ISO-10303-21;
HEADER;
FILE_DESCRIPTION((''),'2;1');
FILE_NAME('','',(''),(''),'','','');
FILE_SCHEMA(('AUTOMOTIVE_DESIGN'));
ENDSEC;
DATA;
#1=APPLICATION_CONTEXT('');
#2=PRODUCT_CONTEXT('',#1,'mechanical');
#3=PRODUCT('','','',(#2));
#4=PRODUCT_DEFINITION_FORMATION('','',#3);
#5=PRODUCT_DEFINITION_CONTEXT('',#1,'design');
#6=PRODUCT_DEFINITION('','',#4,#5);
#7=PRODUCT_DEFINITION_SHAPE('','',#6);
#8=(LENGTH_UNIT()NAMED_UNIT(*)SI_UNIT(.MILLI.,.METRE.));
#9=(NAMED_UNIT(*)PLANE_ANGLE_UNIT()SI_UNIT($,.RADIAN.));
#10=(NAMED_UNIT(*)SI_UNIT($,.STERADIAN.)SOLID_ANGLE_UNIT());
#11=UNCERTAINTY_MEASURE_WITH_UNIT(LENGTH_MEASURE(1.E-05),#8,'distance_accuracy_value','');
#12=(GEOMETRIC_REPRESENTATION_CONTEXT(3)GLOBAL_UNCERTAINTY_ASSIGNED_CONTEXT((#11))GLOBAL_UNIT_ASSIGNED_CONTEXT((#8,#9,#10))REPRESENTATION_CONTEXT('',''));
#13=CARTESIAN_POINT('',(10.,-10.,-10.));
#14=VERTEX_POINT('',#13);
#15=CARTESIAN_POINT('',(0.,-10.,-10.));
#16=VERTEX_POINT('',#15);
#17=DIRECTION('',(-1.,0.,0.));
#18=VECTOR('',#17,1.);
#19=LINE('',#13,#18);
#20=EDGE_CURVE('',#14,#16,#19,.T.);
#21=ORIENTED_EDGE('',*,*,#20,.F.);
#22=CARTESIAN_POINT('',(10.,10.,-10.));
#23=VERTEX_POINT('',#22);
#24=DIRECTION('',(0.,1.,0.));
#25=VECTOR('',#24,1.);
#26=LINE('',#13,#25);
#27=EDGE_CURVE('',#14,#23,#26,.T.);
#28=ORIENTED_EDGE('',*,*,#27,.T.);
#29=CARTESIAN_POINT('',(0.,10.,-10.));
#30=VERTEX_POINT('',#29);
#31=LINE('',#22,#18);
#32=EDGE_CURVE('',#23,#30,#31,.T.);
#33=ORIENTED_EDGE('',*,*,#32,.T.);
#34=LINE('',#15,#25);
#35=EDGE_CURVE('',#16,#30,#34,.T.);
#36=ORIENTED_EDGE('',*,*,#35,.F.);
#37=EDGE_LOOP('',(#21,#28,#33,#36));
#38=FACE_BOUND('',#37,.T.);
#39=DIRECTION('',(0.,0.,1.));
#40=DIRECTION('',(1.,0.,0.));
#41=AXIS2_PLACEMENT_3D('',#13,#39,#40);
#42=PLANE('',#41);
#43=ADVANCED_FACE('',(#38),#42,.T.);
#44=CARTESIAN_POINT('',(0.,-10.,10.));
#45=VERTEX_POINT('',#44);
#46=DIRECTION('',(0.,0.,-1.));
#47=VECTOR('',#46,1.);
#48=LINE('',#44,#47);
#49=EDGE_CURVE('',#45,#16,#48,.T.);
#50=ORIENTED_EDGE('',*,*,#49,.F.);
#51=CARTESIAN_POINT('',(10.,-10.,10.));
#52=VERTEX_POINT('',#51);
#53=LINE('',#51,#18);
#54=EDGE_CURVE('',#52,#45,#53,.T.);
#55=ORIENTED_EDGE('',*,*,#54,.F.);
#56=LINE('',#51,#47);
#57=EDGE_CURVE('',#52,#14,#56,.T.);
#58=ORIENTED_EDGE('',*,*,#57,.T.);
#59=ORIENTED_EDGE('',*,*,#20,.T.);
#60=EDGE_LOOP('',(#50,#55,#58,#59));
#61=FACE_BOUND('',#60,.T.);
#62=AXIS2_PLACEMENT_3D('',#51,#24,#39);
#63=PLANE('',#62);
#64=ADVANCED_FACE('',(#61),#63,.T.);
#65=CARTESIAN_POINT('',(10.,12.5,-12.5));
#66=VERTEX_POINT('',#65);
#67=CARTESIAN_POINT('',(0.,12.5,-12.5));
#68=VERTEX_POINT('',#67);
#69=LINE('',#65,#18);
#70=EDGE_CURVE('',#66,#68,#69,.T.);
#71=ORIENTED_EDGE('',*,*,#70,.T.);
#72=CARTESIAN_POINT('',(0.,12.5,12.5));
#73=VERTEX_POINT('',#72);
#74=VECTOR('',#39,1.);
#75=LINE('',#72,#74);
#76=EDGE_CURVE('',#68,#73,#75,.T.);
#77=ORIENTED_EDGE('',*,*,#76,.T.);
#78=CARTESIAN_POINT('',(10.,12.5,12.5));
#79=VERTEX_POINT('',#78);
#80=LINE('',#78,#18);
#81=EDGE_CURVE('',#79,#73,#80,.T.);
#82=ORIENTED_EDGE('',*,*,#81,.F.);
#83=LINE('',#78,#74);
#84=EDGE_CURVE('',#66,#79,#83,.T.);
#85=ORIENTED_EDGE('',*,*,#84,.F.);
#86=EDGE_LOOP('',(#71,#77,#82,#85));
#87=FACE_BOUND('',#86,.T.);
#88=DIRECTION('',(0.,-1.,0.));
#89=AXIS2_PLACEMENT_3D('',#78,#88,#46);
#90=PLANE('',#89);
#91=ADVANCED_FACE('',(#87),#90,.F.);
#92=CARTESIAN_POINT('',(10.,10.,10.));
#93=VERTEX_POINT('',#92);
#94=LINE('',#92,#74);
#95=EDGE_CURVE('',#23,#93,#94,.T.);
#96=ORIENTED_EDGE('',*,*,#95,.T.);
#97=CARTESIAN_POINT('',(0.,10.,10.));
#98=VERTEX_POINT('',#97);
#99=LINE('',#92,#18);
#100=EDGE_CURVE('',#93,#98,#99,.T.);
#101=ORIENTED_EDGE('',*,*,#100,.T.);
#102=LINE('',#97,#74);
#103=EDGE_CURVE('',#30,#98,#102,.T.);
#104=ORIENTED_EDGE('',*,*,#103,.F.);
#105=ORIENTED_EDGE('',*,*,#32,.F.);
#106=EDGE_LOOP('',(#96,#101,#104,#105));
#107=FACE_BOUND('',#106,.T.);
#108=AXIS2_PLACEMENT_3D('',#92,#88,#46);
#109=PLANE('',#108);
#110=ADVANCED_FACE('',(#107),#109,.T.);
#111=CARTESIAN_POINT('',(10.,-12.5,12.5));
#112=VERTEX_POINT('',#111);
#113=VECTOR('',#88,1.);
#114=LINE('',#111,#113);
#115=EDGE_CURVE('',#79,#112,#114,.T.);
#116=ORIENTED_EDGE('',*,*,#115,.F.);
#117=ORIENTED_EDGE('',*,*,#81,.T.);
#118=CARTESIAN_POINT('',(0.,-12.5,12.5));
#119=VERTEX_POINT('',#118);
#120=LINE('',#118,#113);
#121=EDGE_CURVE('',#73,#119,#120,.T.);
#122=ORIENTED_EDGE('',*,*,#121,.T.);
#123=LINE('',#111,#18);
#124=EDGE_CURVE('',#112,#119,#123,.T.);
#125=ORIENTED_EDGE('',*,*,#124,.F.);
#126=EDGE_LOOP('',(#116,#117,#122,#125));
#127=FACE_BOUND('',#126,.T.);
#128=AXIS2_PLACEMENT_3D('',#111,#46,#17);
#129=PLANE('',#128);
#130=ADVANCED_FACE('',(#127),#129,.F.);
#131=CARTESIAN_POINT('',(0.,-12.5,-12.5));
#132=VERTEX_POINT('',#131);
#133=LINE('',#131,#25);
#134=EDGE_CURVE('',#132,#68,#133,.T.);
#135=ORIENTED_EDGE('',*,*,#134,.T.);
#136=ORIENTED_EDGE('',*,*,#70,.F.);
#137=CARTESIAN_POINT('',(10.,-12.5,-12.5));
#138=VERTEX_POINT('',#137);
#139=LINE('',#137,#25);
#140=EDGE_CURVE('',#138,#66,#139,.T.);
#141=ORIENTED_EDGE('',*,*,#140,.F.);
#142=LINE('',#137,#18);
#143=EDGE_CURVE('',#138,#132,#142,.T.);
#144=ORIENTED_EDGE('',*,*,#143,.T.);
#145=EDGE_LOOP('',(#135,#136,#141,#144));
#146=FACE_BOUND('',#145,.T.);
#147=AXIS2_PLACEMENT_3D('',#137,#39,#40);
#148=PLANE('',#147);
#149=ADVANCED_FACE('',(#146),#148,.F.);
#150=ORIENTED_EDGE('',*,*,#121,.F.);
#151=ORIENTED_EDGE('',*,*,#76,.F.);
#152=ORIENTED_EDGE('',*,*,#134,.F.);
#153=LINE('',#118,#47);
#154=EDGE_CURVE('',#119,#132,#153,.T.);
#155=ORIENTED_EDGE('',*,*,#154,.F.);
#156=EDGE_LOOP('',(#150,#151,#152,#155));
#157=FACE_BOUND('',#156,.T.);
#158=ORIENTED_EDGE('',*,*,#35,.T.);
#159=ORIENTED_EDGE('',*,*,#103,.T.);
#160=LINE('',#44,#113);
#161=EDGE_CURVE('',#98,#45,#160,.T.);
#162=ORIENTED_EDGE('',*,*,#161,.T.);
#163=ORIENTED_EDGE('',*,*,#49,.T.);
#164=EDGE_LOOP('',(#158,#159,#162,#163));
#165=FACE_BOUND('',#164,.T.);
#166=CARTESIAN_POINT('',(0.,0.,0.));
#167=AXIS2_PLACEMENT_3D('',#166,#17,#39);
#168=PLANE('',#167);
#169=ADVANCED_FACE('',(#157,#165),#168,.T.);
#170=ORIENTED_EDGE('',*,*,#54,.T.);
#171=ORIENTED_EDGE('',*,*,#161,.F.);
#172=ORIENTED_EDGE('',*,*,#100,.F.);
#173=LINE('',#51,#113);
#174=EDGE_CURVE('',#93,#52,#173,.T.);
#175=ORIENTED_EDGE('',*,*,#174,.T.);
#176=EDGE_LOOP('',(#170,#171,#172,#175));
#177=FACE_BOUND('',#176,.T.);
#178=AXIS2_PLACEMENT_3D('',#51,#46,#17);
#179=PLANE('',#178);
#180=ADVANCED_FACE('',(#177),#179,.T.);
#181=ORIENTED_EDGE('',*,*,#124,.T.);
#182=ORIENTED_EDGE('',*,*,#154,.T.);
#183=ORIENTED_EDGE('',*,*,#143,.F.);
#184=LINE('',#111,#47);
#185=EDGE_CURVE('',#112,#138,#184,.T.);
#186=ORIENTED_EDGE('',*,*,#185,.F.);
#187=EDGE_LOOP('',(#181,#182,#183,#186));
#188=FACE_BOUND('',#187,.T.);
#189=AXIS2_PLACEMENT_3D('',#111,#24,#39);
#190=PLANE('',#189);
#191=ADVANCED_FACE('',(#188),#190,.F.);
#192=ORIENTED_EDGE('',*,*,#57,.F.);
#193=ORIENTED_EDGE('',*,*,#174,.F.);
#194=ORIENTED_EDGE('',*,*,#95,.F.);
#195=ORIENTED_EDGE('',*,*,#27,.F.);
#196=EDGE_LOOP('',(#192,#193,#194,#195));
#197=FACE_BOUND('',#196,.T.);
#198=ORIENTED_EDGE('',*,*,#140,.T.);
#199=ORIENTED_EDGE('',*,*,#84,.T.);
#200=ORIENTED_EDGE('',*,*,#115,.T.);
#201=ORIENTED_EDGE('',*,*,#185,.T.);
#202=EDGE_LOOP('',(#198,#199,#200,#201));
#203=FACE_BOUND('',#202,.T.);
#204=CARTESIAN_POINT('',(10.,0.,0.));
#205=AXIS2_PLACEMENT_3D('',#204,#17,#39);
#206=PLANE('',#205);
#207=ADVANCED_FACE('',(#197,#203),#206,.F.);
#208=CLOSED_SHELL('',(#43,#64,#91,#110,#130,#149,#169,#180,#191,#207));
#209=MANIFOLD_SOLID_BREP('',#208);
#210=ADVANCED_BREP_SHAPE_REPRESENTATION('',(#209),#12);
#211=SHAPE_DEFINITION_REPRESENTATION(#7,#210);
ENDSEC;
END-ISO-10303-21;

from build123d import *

# Parameters (mm, degrees)
SKETCH_1_W      = 25
SKETCH_1_H      = 25
SKETCH_1_W_2    = 20
SKETCH_1_H_2    = 20
EXTRUDE_1_DEPTH = 10


with BuildPart() as part:
    # 草图1 → 凸台-拉伸1 (new body)
    with BuildSketch(Plane(origin=(0, 0, 0), x_dir=(0, 0, -1), z_dir=(1, 0, 0))):
        Rectangle(SKETCH_1_W, SKETCH_1_H)
        Rectangle(SKETCH_1_W_2, SKETCH_1_H_2, mode=Mode.SUBTRACT)
    extrude(amount=EXTRUDE_1_DEPTH)


solid = part.part
